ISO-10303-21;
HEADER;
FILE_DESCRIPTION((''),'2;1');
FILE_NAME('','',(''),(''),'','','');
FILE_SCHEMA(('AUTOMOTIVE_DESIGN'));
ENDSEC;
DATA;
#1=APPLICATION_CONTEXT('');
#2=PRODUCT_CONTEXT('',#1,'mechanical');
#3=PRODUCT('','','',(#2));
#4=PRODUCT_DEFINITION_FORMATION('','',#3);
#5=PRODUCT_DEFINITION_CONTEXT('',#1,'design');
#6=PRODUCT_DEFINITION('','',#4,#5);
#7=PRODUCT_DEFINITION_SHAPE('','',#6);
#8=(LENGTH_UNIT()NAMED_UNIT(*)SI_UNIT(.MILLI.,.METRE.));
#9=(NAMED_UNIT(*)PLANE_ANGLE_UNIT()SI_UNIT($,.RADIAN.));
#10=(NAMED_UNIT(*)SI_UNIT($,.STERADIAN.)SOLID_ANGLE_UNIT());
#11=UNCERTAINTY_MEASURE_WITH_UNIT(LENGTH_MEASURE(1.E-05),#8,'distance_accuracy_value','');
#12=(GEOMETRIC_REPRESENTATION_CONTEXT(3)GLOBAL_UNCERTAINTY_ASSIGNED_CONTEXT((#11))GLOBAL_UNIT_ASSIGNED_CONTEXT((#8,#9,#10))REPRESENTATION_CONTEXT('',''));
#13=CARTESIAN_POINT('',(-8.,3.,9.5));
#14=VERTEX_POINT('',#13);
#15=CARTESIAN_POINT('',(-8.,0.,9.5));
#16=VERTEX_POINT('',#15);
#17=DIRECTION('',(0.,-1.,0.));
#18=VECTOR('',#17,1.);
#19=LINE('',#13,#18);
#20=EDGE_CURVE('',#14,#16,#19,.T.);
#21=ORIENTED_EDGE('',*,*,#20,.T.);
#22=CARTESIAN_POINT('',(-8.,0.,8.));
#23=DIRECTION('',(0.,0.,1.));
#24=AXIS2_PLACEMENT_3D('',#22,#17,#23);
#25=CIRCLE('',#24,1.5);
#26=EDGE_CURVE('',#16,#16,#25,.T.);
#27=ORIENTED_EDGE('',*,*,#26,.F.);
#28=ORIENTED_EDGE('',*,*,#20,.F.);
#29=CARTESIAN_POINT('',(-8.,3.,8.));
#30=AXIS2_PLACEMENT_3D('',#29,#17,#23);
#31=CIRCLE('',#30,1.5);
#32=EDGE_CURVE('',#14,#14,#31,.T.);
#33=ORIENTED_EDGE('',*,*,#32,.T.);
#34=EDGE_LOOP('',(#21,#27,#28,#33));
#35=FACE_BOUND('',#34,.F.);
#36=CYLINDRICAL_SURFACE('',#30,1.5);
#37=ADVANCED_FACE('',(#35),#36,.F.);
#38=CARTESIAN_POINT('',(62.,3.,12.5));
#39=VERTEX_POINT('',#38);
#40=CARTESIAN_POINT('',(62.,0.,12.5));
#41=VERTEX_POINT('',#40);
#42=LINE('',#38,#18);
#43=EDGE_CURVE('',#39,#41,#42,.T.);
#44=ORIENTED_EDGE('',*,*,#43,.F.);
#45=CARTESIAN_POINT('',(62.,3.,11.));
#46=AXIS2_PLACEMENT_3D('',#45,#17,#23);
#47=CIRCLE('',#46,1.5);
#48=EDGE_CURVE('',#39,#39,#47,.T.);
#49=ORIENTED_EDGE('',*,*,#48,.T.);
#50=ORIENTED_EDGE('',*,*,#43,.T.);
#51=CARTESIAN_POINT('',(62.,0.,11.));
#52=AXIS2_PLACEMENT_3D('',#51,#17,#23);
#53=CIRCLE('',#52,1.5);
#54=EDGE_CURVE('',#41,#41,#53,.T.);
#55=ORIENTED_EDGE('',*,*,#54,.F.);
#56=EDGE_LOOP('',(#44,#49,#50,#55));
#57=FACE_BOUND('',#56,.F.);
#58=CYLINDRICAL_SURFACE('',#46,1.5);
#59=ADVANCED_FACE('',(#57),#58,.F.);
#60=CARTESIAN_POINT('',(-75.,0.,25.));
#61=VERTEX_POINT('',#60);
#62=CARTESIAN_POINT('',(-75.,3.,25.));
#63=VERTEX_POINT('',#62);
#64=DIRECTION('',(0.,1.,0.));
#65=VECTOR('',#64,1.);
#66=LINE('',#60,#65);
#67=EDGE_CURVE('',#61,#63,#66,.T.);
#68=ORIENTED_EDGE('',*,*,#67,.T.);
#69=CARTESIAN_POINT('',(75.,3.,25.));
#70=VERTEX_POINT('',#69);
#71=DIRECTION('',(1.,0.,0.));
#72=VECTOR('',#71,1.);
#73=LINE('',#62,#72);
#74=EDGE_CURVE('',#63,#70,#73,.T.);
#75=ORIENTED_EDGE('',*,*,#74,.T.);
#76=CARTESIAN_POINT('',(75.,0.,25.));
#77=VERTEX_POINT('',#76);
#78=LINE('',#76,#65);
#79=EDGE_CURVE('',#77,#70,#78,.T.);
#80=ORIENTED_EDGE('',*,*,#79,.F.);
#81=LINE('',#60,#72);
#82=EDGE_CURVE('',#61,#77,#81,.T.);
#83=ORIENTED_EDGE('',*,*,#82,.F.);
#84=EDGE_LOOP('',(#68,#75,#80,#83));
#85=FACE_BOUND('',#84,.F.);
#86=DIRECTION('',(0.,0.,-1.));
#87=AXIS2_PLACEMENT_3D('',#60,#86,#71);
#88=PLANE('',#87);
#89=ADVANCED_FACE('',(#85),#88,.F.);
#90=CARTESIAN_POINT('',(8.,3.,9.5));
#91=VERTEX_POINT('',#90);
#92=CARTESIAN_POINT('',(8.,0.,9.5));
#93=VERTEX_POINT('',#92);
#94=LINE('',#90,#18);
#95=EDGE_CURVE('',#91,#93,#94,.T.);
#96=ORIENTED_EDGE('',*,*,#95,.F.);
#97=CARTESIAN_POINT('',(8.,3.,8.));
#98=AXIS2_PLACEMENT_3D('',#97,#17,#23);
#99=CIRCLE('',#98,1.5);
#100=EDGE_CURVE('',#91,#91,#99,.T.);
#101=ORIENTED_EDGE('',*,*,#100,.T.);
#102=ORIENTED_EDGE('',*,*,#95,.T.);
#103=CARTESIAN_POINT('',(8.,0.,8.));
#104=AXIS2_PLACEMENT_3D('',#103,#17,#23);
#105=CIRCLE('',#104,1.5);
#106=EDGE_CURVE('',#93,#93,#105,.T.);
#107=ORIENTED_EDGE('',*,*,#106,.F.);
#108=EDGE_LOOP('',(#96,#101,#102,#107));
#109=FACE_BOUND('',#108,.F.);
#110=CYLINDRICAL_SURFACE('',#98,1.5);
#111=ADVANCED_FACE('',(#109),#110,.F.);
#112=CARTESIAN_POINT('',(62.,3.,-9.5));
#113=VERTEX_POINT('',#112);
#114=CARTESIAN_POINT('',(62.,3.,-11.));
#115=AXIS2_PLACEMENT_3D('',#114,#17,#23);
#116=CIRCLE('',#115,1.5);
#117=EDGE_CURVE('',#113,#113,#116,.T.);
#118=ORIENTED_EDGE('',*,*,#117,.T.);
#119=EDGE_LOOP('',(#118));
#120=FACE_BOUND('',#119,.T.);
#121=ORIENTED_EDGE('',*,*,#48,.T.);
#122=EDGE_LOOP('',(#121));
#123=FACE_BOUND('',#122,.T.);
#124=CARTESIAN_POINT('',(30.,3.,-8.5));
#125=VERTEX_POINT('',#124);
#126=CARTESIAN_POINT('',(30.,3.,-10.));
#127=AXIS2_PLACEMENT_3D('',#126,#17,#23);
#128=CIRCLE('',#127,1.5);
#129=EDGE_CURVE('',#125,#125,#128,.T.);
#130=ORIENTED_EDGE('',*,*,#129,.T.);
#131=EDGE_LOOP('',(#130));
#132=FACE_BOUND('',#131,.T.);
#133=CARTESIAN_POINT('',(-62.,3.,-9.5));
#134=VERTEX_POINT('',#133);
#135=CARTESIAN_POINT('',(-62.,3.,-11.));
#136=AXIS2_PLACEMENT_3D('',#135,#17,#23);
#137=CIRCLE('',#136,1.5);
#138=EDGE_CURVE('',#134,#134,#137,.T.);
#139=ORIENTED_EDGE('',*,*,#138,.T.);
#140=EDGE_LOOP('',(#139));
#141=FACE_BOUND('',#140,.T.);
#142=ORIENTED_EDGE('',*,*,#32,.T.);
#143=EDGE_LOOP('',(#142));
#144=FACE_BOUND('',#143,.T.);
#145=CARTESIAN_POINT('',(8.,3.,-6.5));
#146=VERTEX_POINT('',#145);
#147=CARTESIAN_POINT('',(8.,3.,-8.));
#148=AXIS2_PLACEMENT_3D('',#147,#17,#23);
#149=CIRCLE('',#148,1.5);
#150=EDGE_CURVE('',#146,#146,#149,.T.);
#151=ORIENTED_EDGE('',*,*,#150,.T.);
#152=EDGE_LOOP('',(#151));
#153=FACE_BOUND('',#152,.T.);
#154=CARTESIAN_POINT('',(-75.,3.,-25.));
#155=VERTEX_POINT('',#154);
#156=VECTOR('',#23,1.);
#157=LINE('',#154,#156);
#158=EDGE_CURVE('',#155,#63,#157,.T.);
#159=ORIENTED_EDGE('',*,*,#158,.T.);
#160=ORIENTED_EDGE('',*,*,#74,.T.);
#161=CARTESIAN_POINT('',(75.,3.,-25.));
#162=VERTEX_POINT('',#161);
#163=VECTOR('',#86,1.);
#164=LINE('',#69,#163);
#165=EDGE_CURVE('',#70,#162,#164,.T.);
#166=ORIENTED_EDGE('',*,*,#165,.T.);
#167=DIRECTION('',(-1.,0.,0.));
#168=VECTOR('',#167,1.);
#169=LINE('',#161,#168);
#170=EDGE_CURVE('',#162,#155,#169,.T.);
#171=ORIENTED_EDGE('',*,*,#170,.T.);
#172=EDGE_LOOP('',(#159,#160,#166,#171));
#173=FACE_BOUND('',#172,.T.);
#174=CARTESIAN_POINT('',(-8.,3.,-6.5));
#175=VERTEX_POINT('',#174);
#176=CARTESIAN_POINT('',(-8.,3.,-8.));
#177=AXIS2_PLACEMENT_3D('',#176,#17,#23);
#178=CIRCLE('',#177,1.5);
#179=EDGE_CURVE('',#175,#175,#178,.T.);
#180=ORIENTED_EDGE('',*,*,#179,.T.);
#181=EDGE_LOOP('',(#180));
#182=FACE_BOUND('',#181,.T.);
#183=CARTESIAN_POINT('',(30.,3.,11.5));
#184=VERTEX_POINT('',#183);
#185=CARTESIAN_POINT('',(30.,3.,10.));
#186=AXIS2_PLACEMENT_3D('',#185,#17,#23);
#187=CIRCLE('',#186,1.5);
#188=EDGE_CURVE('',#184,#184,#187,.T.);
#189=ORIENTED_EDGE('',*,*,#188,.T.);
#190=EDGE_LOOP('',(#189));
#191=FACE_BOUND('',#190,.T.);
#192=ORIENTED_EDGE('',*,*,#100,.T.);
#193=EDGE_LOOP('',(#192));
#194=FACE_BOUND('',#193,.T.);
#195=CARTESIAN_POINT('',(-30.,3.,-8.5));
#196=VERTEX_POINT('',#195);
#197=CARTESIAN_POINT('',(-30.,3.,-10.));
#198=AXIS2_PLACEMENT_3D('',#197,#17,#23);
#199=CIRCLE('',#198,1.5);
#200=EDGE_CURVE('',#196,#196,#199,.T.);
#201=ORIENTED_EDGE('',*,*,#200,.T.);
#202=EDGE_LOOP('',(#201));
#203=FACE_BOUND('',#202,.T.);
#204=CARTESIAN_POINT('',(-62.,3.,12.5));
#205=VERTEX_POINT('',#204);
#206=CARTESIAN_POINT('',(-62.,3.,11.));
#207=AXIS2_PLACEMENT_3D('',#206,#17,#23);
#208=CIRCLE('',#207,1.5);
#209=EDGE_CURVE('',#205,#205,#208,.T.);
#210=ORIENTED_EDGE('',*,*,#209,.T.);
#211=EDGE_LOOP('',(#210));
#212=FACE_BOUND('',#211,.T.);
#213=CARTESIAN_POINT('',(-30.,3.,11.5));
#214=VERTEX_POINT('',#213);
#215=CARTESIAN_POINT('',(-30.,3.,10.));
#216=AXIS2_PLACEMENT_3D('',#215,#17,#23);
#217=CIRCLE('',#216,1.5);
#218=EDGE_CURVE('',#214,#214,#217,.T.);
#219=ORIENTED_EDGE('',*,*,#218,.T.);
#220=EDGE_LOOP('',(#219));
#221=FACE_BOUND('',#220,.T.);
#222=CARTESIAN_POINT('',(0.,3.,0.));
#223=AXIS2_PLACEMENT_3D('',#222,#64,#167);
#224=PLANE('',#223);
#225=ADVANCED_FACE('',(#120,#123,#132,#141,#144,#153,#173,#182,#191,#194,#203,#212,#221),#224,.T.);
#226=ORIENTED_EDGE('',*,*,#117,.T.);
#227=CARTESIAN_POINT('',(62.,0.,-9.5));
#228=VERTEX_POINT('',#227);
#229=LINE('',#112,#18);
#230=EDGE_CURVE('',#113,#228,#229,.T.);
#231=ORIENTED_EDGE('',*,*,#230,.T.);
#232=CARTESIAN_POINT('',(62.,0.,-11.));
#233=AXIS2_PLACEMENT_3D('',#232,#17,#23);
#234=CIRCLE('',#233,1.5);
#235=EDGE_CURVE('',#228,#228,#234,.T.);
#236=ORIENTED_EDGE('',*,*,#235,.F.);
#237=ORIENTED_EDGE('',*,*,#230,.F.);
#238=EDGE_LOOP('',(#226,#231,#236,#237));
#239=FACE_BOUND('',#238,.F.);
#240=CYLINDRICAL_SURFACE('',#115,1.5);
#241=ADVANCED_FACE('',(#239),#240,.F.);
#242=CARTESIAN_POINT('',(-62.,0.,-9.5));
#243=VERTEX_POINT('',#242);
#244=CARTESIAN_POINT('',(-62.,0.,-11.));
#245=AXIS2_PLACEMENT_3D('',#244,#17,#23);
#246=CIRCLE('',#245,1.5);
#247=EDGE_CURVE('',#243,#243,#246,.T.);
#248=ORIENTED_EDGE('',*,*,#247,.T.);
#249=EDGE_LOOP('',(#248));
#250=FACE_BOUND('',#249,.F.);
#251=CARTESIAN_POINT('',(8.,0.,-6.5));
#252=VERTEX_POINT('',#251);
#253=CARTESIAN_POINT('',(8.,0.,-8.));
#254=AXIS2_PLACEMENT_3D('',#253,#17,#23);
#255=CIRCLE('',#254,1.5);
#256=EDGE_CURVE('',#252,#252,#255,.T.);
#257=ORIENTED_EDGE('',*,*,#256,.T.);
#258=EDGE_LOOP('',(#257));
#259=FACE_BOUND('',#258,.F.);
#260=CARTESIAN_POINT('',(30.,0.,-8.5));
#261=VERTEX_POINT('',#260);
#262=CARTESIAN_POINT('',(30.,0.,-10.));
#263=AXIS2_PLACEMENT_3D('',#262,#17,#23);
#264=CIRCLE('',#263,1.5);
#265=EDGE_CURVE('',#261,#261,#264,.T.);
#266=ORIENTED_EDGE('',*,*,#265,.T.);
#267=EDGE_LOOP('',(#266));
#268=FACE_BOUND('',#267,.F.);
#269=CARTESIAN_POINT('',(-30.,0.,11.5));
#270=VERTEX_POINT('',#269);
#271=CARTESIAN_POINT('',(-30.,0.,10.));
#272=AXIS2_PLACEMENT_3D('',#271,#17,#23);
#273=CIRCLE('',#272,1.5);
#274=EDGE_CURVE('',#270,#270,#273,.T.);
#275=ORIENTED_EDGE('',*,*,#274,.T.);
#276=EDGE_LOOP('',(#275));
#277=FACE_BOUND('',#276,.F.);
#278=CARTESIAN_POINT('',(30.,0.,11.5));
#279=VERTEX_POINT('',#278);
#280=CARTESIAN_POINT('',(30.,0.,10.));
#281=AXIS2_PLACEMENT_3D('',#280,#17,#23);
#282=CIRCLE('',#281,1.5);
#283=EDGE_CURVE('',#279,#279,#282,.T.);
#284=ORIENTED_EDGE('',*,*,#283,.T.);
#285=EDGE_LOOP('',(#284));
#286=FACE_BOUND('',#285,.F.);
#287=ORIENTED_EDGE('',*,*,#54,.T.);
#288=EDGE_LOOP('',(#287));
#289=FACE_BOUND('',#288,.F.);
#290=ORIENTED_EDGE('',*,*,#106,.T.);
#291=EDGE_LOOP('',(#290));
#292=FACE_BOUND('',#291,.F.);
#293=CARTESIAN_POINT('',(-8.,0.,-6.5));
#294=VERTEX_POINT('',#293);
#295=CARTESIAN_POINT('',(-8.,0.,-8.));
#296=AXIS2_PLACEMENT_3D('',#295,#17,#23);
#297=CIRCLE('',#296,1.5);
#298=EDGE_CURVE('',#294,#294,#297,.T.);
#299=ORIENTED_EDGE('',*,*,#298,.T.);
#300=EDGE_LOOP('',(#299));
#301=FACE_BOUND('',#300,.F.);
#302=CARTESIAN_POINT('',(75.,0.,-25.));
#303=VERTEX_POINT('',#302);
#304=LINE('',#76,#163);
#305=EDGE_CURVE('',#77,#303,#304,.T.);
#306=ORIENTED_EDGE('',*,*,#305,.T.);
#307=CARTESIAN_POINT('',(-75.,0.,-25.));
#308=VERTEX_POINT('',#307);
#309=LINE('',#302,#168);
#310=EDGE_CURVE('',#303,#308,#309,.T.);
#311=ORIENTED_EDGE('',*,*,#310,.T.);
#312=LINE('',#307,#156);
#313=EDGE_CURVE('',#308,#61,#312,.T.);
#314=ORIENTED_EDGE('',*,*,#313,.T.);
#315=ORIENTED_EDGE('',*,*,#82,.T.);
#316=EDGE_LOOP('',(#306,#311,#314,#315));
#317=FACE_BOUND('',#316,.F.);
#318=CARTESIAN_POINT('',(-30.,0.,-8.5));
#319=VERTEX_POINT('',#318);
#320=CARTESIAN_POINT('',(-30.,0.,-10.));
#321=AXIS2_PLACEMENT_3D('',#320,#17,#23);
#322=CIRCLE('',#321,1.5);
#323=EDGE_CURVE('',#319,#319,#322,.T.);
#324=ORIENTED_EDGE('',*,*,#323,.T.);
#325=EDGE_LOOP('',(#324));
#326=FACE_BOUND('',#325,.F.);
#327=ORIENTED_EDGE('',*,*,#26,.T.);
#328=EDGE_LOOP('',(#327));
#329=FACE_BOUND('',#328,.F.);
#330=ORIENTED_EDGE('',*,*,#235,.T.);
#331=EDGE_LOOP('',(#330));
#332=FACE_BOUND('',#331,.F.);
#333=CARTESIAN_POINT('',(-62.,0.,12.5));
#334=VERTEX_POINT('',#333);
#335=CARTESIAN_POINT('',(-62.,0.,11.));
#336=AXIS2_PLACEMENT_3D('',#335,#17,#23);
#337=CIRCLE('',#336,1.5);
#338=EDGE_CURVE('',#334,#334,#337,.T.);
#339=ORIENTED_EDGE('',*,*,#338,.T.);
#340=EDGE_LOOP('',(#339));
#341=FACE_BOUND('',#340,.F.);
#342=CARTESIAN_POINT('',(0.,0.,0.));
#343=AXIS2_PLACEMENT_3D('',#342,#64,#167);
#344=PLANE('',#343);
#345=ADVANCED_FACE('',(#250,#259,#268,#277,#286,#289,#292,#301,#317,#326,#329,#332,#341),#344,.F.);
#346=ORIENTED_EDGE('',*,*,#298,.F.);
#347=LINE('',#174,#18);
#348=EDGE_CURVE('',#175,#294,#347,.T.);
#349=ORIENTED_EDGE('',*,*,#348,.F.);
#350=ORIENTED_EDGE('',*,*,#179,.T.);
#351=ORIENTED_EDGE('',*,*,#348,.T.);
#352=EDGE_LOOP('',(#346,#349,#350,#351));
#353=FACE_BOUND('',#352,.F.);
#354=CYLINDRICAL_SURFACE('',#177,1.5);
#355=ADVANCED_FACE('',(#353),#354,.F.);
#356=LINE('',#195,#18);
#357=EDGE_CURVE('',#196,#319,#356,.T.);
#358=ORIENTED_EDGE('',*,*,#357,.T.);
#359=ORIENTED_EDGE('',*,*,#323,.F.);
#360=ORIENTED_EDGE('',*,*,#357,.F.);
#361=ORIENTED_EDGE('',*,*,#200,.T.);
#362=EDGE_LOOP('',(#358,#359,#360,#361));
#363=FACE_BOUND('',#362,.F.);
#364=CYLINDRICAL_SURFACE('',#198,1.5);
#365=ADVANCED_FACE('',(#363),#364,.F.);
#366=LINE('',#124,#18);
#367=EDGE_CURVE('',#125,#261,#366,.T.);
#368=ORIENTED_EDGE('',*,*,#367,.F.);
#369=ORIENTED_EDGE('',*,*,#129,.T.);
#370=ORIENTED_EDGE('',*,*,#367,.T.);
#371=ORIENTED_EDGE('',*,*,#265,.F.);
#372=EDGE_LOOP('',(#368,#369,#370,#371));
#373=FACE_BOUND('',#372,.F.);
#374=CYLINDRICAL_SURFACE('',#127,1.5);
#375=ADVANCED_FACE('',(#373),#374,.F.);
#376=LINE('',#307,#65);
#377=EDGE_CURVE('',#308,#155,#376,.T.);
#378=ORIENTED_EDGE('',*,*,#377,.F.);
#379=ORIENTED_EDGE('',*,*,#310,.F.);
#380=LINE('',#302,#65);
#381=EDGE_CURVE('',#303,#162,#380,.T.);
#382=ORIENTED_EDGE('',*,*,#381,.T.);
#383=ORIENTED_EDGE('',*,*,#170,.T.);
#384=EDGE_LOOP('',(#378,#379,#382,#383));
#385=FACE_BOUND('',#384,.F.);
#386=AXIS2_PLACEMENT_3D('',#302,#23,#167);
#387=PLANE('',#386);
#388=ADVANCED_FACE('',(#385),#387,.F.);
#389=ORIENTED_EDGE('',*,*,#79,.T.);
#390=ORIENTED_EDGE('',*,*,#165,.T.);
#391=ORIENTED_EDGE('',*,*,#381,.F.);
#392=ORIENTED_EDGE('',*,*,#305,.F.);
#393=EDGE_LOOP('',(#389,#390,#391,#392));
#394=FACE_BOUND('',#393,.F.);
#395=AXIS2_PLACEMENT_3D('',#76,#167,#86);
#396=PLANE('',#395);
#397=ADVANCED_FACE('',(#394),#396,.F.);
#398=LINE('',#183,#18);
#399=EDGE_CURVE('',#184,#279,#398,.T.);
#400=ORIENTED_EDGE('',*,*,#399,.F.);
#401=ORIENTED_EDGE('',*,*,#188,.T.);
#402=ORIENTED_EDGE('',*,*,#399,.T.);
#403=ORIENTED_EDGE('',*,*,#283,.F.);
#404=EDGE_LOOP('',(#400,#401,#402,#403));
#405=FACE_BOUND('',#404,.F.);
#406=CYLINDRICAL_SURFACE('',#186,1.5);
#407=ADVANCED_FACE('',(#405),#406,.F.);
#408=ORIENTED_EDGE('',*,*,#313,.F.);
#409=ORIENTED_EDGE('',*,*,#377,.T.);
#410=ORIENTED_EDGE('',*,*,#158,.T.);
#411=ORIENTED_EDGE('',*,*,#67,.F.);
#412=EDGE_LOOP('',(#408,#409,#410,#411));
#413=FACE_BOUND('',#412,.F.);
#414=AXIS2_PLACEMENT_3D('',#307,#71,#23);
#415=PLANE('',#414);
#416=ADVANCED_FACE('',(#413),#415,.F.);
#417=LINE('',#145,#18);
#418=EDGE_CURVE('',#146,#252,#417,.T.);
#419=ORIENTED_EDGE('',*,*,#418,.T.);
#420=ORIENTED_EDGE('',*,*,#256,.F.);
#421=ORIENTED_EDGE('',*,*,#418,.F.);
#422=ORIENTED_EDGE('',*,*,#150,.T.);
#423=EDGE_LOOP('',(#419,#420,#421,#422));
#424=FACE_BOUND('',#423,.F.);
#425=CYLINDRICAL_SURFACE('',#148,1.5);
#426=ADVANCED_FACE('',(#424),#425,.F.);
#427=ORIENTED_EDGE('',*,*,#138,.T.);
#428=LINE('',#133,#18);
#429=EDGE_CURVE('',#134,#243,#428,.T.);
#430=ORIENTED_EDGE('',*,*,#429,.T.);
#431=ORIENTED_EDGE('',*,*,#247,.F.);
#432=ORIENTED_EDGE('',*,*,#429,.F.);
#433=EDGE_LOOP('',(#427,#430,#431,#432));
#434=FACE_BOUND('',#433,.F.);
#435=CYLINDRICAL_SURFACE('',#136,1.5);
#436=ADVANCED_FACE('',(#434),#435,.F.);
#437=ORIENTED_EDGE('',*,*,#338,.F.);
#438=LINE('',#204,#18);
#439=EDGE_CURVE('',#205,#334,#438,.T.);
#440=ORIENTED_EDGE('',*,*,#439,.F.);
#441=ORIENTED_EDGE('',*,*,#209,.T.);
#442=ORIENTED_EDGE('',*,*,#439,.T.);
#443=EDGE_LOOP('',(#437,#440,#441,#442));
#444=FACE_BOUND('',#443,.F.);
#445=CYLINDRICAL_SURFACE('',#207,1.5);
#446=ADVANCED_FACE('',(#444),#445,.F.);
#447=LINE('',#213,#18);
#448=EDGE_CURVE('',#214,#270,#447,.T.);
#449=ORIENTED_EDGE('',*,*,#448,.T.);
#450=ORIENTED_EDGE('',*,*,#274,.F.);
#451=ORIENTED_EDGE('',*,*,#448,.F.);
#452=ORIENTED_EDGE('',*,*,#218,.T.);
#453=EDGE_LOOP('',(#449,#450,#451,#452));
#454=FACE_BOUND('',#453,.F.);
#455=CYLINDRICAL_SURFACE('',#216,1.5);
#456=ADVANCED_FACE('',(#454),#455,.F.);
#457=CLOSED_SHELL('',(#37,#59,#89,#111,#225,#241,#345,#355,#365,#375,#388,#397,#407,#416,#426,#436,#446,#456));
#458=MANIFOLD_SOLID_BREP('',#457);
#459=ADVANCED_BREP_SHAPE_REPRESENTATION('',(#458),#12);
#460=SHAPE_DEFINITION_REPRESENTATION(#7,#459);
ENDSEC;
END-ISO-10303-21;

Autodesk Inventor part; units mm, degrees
ref_plane "YZ Plane" through (0, 0, 0) normal (1, 0, 0) x (0, 1, 0)
ref_plane "XZ Plane" through (0, 0, 0) normal (0, 1, 0) x (-1, 0, 0)
ref_plane "XY Plane" through (0, 0, 0) normal (0, 0, 1) x (1, 0, 0)
sketch "Szkic1" plane through (0, 0, 0) normal (0, 1, 0) x (-1, 0, 0)
  line L0 (75, 25) -> (-75, 25)
  line L1 (-75, 25) -> (-75, -25)
  line L2 (-75, -25) -> (75, -25)
  line L3 (75, -25) -> (75, 25)
  line L4 (75, 25) -> (-75, -25) construction
  line L5 (-75, 25) -> (75, -25) construction
  point P0 (0, 0)
  dimension "d0" = 150
  dimension "d1" = 50
extrude "Wyciągnięcie proste1" add sketch "Szkic1" along normal blind 3
sketch "Szkic3" plane through (0, 3, 0) normal (0, 1, 0) x (1, 0, 0)
  line L0 (75, 25) -> (-75, 25) projected
  line L1 (0, 25) -> (0, -25) construction
  line L2 (-75, -25) -> (75, -25) projected
  line L3 (-75, 25) -> (-75, -25) projected
  line L4 (-75, 0) -> (75, 0) construction
  line L5 (75, -25) -> (75, 25) projected
  point P0 (0, 0)
  point P1 (-30, 10)
  point P2 (30, 10)
  point P3 (-30, -10)
  point P4 (30, -10)
  dimension "d16" = 15
  dimension "d43" = 60
hole "Otwór2" at (-30, 3, -10) at (30, 3, -10) at (-30, 3, 10) at (30, 3, 10) direction (0, -1, 0) diameter 3 depth 8 tip angle 118
sketch "Szkic4" plane through (0, 3, 0) normal (0, 1, 0) x (1, 0, 0)
  line L0 (75, -25) -> (75, 25) projected
  line L1 (-75, 25) -> (-75, -25) projected
  line L2 (-75, 0) -> (75, 0) construction
  line L3 (75, 25) -> (-75, 25) projected
  line L4 (0, 25) -> (0, -25) construction
  point P0 (0, 0)
  point P1 (62, 11)
  point P2 (62, -11)
  point P3 (-62, 11)
  point P4 (-62, -11)
  dimension "d24" = 13
  dimension "d25" = 11
hole "Otwór3" at (62, 3, -11) at (62, 3, 11) at (-62, 3, -11) at (-62, 3, 11) direction (0, -1, 0) diameter 3 depth 8 tip angle 118
sketch "Szkic5" plane through (0, 3, 0) normal (0, 1, 0) x (1, 0, 0)
  line L0 (-8, -8) -> (8, -8)
  line L1 (8, -8) -> (8, 8)
  line L2 (8, 8) -> (-8, 8)
  line L3 (-8, 8) -> (-8, -8)
  line L4 (-8, -8) -> (8, 8) construction
  line L5 (8, -8) -> (-8, 8) construction
  point P0 (0, 0)
  dimension "d33" = 16
  dimension "d34" = 16
hole "Otwór4" at (-8, 3, -8) at (8, 3, -8) at (8, 3, 8) at (-8, 3, 8) direction (0, -1, 0) diameter 3 depth 8 tip angle 118
properties part number "Góra" material "Aluminium 6061"
